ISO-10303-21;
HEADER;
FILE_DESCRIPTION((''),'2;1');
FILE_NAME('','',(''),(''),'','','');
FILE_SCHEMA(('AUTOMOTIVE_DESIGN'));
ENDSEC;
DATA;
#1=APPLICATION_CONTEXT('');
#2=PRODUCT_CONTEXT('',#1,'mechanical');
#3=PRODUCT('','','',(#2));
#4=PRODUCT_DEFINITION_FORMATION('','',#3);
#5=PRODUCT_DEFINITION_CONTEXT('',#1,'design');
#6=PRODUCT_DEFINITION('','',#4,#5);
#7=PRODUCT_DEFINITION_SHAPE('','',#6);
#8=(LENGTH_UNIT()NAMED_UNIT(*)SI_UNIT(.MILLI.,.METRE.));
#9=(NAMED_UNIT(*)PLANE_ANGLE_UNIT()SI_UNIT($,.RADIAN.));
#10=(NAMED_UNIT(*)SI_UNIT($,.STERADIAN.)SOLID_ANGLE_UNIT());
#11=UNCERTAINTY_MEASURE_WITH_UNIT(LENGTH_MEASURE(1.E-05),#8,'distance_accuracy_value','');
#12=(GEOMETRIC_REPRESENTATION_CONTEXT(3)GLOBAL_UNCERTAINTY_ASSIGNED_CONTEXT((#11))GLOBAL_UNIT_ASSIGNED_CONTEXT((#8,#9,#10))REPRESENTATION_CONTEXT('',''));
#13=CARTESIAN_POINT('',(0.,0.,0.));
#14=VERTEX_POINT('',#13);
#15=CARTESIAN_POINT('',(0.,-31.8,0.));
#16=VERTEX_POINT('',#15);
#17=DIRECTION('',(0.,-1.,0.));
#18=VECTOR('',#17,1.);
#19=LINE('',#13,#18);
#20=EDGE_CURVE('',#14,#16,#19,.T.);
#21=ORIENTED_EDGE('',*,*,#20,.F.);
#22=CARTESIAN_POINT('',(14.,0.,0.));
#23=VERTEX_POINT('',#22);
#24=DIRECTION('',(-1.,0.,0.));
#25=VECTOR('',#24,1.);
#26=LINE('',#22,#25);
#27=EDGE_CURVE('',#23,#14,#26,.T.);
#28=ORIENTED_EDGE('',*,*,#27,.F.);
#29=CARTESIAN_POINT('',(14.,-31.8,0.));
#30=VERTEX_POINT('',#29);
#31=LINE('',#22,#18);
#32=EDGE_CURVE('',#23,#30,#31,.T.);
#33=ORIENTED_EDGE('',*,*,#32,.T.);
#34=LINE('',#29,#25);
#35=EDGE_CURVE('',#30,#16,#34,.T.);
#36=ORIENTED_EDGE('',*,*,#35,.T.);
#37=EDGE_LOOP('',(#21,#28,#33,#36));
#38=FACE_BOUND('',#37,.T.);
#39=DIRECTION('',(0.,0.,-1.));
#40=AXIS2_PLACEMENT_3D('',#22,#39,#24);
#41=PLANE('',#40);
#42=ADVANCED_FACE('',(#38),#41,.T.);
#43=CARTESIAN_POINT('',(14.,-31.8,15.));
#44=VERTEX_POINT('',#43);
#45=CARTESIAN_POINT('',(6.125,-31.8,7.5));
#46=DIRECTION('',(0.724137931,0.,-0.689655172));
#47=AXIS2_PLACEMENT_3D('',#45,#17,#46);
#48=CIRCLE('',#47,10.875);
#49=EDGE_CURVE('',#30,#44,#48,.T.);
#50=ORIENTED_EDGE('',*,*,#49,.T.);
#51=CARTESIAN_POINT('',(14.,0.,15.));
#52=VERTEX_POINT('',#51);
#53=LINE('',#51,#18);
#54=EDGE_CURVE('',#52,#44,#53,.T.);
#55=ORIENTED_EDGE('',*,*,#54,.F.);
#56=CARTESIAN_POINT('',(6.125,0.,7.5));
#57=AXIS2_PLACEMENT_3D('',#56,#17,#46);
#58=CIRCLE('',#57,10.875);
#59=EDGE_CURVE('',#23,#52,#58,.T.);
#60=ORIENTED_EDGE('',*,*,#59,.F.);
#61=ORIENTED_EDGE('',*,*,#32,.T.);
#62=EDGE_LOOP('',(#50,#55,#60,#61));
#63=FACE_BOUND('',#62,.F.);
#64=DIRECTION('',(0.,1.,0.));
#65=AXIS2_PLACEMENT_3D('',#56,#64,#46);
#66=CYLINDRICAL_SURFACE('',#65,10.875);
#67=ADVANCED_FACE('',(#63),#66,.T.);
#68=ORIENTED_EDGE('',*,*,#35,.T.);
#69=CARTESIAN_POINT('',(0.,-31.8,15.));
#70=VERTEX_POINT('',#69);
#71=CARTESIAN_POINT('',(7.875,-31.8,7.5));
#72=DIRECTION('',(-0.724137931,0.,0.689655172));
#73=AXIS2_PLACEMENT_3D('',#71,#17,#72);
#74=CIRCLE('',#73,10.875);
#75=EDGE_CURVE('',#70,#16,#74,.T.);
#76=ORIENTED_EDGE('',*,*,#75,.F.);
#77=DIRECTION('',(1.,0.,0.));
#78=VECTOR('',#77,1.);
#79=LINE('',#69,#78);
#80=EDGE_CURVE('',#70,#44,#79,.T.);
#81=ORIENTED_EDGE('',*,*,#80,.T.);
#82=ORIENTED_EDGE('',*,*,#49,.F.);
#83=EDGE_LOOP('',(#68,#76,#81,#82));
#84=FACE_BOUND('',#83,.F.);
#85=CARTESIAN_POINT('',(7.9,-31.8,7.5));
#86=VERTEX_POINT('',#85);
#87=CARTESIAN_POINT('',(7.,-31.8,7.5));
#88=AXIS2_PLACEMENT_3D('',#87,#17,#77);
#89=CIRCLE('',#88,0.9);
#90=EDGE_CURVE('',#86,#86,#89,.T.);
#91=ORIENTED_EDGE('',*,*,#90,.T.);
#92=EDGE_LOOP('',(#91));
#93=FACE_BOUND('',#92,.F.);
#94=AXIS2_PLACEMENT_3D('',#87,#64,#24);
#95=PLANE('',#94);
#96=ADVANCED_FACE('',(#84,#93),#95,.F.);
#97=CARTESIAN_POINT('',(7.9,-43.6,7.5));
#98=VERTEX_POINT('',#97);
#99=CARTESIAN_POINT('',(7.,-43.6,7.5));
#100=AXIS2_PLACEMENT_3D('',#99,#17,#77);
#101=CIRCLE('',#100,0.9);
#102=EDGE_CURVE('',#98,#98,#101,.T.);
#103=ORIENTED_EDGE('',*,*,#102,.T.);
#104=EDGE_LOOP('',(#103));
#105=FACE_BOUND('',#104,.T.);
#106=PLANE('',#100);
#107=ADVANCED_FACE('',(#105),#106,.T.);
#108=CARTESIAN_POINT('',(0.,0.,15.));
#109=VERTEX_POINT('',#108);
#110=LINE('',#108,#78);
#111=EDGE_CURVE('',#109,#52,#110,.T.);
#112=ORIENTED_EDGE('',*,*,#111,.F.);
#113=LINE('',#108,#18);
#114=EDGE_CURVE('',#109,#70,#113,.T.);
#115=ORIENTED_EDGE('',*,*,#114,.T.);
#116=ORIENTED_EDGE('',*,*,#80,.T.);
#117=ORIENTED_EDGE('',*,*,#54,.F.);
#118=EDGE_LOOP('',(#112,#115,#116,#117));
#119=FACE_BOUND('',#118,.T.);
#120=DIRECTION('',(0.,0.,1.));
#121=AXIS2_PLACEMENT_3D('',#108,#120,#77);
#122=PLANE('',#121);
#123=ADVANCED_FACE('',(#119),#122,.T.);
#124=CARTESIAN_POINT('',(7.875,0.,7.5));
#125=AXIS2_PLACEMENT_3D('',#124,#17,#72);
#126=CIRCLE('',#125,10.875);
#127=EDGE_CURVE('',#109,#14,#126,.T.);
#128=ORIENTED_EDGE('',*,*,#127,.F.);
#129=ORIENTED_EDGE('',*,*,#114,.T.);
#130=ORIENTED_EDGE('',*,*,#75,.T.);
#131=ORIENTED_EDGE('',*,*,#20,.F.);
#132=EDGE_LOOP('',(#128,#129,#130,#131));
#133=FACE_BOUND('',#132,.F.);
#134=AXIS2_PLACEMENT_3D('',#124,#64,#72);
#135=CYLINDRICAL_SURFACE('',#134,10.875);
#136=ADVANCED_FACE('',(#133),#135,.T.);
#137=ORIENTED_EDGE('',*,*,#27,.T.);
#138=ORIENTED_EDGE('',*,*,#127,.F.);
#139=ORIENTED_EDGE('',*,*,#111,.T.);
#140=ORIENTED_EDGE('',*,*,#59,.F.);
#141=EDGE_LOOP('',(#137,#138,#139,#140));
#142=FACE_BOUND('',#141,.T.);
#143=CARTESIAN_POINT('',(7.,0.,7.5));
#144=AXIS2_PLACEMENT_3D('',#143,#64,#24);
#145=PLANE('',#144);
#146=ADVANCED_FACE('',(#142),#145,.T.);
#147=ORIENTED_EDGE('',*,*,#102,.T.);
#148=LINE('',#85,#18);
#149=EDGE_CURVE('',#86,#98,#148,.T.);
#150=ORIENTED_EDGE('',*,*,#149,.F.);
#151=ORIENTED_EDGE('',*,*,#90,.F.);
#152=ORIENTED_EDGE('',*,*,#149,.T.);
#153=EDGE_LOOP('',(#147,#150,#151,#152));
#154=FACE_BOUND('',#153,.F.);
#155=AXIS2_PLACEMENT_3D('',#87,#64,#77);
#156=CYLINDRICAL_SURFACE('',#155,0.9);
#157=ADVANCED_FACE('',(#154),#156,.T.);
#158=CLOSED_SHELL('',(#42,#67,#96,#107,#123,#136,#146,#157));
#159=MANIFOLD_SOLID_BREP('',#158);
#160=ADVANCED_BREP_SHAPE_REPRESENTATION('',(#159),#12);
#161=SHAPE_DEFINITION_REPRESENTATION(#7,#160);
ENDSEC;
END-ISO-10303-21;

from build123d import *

# Parameters (mm, degrees)
PAD_DEPTH    = 31.8
SKETCH001_R  = 0.9
PAD001_DEPTH = 11.8


with BuildPart() as part:
    # Sketch → Pad (new body)
    with BuildSketch(Plane.XZ):
        with BuildLine():
            Line((0, 15), (14, 15))
            ThreePointArc((14, 0), (17, 7.5), (14, 15))
            Line((14, 0), (0, 0))
            ThreePointArc((0, 15), (-3, 7.5), (0, 0))
        make_face()
    extrude(amount=PAD_DEPTH)

    # Sketch001 (on Face6 of Pad) → Pad001 (join)
    with BuildSketch(Plane.XZ.offset(31.8)):
        with Locations((7, 7.5)):
            Circle(SKETCH001_R)
    extrude(amount=PAD001_DEPTH)


solid = part.part
